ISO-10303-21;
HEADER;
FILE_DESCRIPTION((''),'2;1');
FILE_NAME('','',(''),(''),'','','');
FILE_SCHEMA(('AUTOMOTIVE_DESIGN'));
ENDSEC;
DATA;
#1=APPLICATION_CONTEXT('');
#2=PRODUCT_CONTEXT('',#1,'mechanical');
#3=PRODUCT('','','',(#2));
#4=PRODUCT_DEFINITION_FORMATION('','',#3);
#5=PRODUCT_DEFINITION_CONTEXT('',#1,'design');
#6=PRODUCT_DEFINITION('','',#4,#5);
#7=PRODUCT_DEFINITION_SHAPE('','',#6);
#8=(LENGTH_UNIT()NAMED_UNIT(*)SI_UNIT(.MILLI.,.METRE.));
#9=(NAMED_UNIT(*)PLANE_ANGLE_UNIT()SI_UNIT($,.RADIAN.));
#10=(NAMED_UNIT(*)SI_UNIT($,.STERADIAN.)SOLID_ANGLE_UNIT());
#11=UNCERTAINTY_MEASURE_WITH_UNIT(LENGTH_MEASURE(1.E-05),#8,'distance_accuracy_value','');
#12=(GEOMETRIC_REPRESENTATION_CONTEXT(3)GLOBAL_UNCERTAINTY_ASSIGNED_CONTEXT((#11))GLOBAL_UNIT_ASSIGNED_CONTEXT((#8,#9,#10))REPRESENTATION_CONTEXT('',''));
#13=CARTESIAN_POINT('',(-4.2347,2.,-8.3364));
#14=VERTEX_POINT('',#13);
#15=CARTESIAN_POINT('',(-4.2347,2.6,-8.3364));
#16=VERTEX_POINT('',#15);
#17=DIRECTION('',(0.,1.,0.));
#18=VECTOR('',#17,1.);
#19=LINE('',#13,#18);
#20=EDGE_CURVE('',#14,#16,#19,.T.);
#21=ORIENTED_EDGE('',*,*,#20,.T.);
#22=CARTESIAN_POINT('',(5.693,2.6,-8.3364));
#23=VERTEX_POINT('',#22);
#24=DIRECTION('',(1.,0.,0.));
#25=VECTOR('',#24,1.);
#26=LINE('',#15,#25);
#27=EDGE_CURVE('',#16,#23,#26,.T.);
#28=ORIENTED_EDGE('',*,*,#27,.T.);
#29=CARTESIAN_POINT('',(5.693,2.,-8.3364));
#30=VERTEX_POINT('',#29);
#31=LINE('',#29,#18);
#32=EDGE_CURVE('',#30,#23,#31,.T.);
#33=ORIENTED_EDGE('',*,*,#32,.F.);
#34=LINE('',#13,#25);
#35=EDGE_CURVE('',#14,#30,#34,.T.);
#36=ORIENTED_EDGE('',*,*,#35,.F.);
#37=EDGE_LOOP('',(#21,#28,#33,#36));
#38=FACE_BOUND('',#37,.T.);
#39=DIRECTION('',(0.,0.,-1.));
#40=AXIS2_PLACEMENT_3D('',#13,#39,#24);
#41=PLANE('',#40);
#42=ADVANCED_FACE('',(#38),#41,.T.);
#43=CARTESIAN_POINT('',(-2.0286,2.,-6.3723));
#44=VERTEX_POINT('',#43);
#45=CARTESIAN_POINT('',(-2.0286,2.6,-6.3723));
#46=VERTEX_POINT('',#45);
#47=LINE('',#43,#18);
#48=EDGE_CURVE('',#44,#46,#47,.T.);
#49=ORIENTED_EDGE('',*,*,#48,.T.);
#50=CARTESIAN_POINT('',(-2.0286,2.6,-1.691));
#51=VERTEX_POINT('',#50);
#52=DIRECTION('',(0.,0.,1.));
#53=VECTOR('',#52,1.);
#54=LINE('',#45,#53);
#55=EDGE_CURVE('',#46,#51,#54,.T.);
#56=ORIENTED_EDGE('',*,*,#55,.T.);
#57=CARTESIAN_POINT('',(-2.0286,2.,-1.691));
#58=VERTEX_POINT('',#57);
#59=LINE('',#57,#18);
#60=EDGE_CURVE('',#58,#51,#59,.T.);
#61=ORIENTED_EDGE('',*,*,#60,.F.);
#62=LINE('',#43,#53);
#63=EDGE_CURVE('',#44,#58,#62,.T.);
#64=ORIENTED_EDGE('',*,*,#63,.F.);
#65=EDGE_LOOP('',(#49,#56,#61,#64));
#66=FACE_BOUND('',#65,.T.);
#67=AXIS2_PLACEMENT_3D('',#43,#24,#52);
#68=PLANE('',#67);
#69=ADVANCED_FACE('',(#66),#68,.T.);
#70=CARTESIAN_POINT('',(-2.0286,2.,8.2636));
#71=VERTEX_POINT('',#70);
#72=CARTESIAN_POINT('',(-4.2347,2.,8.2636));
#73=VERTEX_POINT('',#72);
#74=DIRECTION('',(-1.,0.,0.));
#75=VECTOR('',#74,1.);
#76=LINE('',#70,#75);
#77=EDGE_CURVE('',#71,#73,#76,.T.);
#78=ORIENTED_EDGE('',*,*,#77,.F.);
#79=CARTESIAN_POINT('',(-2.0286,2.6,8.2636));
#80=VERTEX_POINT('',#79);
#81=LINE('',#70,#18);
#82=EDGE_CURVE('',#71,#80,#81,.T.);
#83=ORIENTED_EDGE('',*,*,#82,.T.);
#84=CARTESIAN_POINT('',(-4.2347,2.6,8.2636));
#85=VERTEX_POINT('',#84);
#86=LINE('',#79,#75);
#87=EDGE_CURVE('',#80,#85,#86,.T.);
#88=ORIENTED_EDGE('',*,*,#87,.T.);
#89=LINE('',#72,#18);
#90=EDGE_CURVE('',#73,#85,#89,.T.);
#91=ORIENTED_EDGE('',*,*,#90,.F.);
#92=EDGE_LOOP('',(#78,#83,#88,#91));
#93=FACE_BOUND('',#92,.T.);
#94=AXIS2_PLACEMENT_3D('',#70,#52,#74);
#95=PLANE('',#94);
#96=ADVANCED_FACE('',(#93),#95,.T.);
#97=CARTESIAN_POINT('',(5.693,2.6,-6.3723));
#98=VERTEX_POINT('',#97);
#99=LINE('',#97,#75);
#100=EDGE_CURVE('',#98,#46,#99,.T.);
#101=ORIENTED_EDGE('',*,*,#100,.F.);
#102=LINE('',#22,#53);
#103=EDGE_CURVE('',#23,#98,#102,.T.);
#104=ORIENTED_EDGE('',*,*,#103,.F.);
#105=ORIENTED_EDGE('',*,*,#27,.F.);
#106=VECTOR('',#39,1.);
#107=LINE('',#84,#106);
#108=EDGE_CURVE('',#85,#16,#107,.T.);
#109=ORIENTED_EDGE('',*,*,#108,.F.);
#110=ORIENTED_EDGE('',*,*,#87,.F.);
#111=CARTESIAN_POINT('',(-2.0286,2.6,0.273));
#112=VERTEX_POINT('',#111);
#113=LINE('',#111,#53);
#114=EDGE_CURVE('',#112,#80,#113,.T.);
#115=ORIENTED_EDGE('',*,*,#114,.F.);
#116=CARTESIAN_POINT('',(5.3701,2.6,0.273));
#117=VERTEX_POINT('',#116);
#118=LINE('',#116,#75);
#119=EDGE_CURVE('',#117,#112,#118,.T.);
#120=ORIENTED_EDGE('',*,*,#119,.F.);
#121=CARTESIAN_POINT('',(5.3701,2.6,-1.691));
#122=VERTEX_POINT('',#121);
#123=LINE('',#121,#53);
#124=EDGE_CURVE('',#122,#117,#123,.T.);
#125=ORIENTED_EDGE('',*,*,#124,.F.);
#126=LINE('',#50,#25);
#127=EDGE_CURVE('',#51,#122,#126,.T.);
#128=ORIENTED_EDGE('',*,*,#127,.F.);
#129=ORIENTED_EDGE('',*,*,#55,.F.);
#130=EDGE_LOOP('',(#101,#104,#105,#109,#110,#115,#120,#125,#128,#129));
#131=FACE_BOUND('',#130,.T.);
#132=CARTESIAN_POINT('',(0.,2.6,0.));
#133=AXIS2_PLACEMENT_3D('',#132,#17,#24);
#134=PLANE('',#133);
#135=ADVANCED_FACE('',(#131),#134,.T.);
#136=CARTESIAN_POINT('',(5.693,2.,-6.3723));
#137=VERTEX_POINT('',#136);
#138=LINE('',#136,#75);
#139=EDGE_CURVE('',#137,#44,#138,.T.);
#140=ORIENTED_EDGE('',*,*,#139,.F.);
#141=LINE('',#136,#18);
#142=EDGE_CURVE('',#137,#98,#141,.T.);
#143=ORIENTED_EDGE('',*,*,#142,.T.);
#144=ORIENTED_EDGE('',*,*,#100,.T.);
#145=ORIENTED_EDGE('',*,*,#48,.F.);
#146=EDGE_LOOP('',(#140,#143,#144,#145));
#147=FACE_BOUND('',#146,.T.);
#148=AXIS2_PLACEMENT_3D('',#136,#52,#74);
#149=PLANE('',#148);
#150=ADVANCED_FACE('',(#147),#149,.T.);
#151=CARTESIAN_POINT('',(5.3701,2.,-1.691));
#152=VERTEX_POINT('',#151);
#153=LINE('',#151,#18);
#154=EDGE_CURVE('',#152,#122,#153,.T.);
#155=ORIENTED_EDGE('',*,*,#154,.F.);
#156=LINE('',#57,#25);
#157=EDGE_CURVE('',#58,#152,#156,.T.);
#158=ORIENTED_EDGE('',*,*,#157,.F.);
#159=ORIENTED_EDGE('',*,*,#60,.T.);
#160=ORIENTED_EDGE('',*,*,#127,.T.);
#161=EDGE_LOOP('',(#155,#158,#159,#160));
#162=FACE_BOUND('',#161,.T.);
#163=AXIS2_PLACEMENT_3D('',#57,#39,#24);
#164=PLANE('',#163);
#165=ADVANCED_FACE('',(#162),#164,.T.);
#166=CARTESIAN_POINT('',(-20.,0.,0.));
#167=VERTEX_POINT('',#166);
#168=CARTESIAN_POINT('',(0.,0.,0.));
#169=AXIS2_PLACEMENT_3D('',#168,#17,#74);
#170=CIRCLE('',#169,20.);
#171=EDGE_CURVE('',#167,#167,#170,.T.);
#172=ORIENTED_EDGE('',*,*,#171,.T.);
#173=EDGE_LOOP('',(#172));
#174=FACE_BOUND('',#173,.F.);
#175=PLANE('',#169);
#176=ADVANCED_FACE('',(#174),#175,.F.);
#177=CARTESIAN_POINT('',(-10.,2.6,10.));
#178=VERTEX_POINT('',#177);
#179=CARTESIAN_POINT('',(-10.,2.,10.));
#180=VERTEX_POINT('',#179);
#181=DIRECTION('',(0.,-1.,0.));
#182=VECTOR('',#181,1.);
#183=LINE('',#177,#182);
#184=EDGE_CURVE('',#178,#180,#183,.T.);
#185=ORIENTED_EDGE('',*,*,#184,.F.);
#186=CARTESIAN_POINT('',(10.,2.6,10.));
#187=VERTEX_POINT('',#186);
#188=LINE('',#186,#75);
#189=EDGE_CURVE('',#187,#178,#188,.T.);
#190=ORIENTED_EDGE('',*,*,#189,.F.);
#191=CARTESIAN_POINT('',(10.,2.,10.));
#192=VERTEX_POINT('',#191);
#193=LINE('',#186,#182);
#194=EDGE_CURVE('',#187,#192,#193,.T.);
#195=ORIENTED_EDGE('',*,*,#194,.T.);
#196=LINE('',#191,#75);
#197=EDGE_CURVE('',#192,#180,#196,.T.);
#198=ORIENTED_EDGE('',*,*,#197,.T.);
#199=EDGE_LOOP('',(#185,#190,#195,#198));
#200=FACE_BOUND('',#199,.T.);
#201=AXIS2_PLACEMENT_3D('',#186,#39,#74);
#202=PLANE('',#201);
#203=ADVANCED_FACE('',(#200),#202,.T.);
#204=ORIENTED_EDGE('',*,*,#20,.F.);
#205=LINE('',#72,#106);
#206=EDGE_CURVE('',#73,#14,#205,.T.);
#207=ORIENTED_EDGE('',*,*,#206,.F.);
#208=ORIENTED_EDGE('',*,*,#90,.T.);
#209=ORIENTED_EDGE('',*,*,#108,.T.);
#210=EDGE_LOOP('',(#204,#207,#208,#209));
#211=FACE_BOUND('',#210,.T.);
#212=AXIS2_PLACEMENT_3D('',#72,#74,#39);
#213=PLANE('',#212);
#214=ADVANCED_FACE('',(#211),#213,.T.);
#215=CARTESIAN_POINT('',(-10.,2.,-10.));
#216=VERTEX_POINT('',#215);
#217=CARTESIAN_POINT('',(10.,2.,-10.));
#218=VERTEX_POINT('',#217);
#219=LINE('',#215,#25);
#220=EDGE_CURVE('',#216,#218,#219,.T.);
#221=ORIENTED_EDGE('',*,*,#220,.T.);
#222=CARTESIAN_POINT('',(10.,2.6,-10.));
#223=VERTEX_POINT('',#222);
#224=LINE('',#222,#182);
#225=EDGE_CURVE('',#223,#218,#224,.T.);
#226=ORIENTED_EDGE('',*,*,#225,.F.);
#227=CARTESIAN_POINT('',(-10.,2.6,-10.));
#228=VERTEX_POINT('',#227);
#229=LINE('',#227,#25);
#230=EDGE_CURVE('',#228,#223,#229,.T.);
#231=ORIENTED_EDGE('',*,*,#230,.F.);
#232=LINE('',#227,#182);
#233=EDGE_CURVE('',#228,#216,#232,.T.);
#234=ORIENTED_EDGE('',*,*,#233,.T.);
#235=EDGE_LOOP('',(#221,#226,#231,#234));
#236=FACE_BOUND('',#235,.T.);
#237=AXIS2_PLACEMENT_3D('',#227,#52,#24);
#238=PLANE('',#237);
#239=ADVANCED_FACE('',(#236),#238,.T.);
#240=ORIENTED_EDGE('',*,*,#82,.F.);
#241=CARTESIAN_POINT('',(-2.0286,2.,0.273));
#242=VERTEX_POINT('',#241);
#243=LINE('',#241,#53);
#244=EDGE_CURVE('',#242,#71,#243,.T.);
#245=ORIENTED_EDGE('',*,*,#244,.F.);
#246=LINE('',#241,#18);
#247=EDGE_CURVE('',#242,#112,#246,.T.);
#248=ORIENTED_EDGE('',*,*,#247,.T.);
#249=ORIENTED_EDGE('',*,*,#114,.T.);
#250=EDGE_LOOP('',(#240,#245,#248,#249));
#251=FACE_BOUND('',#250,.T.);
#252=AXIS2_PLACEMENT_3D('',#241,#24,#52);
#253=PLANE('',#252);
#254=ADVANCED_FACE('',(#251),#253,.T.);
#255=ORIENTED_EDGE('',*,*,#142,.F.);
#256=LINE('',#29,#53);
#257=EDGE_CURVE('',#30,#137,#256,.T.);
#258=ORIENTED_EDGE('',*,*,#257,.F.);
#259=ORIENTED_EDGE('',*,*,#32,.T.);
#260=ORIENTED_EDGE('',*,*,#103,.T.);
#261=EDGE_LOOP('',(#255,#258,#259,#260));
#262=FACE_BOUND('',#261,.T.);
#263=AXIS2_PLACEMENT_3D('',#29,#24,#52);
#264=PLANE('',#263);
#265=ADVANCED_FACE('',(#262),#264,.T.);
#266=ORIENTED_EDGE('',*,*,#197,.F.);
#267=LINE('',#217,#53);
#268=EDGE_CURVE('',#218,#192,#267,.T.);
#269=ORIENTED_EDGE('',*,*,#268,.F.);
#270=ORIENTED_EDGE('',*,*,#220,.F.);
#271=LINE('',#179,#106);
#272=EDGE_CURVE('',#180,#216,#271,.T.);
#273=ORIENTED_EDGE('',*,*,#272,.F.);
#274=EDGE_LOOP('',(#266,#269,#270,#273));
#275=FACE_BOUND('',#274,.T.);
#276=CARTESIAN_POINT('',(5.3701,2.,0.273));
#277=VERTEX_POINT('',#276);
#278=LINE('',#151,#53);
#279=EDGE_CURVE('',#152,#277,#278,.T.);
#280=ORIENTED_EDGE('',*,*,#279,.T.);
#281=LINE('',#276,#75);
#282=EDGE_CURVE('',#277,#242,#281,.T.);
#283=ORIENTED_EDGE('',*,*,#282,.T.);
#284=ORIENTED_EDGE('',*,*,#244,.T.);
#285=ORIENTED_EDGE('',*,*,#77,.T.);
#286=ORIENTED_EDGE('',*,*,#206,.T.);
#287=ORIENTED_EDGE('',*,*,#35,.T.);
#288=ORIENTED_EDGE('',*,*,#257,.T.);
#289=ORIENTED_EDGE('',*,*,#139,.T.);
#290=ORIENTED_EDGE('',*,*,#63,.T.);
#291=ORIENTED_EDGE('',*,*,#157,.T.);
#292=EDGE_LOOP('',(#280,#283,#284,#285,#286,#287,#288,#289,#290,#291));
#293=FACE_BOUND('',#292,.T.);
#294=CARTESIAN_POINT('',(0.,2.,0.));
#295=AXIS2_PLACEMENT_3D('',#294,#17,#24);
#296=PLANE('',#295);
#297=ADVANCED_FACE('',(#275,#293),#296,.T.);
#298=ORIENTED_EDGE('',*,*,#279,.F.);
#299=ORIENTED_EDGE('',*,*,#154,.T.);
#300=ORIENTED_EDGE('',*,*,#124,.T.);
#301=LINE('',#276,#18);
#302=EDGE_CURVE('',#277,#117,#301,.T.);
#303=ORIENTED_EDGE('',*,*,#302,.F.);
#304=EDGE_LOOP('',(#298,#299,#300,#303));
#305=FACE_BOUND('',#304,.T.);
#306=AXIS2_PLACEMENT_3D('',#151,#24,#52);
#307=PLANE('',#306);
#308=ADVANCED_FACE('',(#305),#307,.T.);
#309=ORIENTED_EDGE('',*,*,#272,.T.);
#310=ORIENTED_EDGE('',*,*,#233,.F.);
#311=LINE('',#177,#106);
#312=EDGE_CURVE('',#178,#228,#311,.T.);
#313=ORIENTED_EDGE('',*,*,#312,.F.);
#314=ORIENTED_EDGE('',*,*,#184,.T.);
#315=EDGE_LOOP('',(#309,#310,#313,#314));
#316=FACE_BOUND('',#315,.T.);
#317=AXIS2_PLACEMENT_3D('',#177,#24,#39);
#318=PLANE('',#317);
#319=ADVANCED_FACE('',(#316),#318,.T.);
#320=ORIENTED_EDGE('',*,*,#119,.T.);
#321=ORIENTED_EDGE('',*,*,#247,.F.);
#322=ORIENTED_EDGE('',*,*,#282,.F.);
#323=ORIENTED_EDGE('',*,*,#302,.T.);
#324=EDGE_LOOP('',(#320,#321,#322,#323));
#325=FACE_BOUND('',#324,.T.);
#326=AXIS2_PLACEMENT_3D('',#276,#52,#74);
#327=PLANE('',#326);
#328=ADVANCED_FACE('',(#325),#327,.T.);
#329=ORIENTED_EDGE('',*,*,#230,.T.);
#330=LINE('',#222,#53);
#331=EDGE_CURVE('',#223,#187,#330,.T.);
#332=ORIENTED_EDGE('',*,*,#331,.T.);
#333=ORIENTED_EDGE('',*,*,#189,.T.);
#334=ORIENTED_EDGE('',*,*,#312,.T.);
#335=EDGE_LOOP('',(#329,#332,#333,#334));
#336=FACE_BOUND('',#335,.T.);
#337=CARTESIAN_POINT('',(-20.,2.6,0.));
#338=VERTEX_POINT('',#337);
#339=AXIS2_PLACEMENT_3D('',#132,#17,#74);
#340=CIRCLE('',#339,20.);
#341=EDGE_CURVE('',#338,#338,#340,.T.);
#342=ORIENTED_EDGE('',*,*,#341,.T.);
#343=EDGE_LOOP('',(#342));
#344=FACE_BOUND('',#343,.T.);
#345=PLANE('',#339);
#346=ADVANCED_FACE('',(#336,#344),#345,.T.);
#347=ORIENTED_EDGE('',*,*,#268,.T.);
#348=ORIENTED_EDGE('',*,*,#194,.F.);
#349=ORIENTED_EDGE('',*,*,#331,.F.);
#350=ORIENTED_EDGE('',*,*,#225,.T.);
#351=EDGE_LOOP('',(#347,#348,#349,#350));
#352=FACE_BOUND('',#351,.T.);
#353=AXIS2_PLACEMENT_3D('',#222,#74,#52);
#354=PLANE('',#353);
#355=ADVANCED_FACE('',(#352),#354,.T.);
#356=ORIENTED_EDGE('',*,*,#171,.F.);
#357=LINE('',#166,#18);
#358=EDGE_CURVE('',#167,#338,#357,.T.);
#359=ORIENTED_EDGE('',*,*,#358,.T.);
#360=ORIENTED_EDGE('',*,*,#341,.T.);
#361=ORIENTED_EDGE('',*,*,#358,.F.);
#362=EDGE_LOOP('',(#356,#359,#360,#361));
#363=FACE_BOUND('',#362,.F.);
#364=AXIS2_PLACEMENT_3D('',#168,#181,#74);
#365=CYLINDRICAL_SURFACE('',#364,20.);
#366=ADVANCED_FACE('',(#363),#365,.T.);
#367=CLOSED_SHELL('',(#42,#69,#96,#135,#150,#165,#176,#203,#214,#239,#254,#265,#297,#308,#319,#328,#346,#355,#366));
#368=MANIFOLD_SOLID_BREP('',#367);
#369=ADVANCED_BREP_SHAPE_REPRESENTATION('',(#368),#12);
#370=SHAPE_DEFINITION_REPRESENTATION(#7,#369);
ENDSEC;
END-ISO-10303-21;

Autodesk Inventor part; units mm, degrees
ref_plane "YZ Plane" through (0, 0, 0) normal (1, 0, 0) x (0, 1, 0)
ref_plane "XZ Plane" through (0, 0, 0) normal (0, 1, 0) x (-1, 0, 0)
ref_plane "XY Plane" through (0, 0, 0) normal (0, 0, 1) x (1, 0, 0)
sketch "Sketch1" plane through (0, 0, 0) normal (0, 1, 0) x (-1, 0, 0)
  circle A0 centre (0, 0) radius 20
  dimension "d0" = 40
extrude "Extrusion1" add sketch "Sketch1" along normal blind 2.6
sketch "Sketch2" plane through (0, 2.6, 0) normal (0, 1, 0) x (1, 0, 0)
  line L0 (-10, -10) -> (-10, 10)
  line L1 (-10, 10) -> (10, 10)
  line L2 (10, 10) -> (10, -10)
  line L3 (10, -10) -> (-10, -10)
  line L4 (-10, -10) -> (10, 10) construction
  line L5 (-10, 10) -> (10, -10) construction
  point P0 (0, 0)
  dimension "d3" = 20
  dimension "d4" = 20
extrude "Extrusion2" cut sketch "Sketch2" against normal blind 0.6
sketch "Sketch3" plane through (0, 2, 0) normal (0, 1, 0) x (1, 0, 0)
  line L0 (-5.9162, 8.3364) -> (5.9889, 8.3364) construction
  line L1 (5.9889, 8.3364) -> (5.9889, -8.2636) construction
  line L2 (5.9889, -8.2636) -> (-5.9162, -8.2636) construction
  line L3 (-5.9162, -8.2636) -> (-5.9162, 8.3364) construction
  line L4 (5.693, 6.3723) -> (-2.0286, 6.3723)
  line L5 (-2.0286, 6.3723) -> (-2.0286, 1.691)
  line L6 (-2.0286, 1.691) -> (5.3701, 1.691)
  line L7 (5.3701, 1.691) -> (5.3701, -0.273)
  line L8 (5.3701, -0.273) -> (-2.0286, -0.273)
  line L9 (-2.0286, -0.273) -> (-2.0286, -8.2636)
  line L10 (-2.0286, -8.2636) -> (-4.2347, -8.2636)
  line L11 (-4.2347, -8.2636) -> (-4.2347, 8.3364)
  line L12 (-4.2347, 8.3364) -> (5.693, 8.3364)
  line L13 (5.693, 8.3364) -> (5.693, 6.3723)
  point P0 (0, 0)
extrude "Extrusion3" add sketch "Sketch3" along normal blind 0.6
properties part number "TopMarkerPreset"
